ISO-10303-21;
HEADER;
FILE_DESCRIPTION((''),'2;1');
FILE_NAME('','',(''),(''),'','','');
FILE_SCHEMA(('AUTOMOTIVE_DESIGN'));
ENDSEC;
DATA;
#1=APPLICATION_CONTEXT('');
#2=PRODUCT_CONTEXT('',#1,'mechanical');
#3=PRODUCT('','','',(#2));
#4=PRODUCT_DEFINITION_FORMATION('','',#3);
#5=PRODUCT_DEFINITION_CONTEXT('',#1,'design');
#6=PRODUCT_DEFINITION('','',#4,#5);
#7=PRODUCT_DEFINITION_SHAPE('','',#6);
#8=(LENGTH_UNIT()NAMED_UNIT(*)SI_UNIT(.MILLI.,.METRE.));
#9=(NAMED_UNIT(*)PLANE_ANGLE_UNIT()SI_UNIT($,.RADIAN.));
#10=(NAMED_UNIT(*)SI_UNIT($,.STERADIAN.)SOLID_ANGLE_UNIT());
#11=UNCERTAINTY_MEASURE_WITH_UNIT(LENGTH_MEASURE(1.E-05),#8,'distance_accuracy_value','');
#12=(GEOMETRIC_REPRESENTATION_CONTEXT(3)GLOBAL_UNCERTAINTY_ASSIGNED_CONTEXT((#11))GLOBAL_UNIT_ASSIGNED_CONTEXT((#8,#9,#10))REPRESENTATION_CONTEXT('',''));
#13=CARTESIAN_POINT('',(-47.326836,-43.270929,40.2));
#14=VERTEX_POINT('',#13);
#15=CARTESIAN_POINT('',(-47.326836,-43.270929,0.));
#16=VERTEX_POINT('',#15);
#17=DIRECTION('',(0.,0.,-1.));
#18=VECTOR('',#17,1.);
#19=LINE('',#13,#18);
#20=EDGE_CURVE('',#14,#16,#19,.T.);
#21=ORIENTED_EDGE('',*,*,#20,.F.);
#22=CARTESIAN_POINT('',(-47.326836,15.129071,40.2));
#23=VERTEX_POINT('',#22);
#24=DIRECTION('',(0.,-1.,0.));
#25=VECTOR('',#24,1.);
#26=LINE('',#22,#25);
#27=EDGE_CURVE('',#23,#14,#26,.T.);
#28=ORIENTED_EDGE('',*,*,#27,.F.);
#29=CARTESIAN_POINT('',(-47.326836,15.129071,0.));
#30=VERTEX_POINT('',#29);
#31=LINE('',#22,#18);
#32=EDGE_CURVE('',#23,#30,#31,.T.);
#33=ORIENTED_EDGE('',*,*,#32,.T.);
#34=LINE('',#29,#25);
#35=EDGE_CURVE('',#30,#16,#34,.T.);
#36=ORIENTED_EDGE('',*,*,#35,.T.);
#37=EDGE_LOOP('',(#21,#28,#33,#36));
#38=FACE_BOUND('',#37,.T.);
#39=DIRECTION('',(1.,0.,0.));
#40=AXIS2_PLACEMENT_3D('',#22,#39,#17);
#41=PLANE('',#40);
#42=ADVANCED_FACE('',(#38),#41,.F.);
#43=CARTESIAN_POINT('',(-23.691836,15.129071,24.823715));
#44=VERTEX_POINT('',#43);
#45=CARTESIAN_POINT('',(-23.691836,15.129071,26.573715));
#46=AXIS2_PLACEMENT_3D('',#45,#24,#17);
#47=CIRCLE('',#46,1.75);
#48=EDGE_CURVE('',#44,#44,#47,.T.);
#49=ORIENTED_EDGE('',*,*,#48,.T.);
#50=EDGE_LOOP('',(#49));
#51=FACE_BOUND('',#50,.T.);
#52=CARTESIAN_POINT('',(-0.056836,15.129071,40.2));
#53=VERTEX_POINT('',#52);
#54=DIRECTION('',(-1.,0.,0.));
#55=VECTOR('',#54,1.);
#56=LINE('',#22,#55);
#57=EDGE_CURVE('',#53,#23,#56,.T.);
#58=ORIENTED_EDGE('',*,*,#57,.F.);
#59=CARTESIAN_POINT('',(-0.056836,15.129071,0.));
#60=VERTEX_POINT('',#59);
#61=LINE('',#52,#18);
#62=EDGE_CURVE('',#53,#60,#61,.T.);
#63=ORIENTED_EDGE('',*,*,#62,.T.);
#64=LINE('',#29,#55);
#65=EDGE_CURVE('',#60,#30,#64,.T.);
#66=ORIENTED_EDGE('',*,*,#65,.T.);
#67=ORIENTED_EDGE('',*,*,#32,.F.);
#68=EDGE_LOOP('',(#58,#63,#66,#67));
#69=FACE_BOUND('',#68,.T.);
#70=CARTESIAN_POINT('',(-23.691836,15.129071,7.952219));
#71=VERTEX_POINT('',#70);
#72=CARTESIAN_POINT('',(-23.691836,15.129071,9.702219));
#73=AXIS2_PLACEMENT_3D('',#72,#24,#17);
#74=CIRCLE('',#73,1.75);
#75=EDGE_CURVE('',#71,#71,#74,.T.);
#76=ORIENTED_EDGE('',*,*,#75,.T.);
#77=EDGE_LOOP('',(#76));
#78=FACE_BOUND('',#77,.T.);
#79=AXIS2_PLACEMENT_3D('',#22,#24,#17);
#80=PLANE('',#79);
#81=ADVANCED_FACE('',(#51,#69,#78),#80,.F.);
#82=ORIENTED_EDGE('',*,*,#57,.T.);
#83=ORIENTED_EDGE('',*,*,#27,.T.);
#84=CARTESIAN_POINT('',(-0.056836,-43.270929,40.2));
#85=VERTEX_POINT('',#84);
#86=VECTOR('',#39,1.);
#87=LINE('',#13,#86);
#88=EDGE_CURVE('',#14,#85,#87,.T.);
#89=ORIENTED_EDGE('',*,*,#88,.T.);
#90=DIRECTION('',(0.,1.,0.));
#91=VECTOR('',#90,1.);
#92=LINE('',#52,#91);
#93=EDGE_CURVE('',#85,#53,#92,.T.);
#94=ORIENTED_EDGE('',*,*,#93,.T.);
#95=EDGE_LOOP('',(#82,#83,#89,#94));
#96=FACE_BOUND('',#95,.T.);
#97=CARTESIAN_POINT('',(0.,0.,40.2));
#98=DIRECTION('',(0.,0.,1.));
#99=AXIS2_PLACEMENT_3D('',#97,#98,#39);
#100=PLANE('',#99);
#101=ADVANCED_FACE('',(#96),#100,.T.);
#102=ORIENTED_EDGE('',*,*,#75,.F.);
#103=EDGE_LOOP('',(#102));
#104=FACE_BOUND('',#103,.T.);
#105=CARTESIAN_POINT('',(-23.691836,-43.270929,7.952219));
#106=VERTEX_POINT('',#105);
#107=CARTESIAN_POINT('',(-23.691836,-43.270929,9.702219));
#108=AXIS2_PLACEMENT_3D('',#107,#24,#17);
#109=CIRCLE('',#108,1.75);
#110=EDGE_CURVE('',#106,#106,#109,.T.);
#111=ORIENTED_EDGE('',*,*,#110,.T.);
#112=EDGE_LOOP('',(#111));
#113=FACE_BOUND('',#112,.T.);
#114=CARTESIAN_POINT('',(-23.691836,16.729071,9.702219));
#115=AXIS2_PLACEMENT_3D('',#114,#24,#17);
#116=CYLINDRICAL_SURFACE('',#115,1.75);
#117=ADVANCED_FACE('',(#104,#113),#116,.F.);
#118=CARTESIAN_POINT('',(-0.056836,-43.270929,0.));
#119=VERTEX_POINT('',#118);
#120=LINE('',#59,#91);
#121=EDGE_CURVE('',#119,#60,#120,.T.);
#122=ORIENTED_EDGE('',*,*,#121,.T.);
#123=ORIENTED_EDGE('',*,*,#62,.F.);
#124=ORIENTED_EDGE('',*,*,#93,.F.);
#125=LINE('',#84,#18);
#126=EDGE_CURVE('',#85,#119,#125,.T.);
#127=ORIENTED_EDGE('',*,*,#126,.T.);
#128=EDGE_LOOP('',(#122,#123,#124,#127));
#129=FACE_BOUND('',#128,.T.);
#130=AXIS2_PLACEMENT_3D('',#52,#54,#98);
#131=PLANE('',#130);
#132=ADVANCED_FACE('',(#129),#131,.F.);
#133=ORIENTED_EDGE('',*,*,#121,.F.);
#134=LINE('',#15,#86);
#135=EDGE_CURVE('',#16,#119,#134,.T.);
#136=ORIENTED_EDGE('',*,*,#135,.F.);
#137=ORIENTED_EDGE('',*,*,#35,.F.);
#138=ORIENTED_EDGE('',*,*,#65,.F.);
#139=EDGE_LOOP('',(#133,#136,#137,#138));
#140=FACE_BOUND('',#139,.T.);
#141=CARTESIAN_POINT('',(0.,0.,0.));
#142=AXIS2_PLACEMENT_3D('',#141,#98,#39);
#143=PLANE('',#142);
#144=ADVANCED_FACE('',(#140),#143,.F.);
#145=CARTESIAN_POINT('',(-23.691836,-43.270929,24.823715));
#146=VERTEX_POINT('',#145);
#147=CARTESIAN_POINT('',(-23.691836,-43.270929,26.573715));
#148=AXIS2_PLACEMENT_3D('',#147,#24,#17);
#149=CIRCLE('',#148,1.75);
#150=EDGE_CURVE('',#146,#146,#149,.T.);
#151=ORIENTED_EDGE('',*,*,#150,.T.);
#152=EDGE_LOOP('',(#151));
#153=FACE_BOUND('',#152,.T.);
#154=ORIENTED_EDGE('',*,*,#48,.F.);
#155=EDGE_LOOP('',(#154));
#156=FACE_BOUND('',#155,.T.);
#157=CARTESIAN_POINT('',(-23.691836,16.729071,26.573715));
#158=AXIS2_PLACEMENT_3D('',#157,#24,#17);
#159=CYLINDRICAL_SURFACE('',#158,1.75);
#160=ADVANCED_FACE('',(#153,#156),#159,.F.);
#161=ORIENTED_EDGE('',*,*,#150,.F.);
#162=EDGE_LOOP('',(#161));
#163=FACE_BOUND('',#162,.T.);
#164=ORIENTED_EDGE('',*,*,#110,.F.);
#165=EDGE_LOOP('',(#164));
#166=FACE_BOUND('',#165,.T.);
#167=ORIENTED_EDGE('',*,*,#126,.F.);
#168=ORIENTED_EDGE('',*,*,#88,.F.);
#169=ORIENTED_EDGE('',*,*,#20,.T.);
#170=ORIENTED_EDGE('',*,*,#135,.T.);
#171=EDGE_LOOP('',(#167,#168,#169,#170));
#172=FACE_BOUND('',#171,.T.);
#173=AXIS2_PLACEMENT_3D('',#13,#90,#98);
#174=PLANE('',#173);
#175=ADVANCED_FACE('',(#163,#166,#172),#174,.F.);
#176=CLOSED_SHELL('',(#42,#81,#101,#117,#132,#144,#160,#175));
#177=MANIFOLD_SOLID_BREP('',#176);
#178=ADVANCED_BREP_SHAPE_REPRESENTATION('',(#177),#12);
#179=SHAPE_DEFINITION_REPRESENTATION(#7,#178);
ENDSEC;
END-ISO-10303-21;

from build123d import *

# Parameters (mm, degrees)
SKETCH1_W           = 47.27
SKETCH1_H           = 58.4
BOSS_EXTRUDE1_DEPTH = 40.2
SKETCH4_R           = 1.75
CUT_EXTRUDE2_DEPTH  = 60


with BuildPart() as part:
    # Sketch1 → Boss-Extrude1 (new body)
    with BuildSketch(Plane.XY):
        with Locations((-23.691836225, -14.070929403)):
            Rectangle(SKETCH1_W, SKETCH1_H)
    extrude(amount=BOSS_EXTRUDE1_DEPTH)

    # Sketch4 → Cut-Extrude2 (cut)
    with BuildSketch(Plane.XZ.offset(43.270929403)):
        with Locations(Location((-23.691836225, 9.702218518, 0), (0, 0, 270))):
            Circle(SKETCH4_R)
        with Locations(Location((-23.691836225, 26.573715394, 0), (0, 0, 270))):
            Circle(SKETCH4_R)
    extrude(amount=-CUT_EXTRUDE2_DEPTH, mode=Mode.SUBTRACT)


solid = part.part
